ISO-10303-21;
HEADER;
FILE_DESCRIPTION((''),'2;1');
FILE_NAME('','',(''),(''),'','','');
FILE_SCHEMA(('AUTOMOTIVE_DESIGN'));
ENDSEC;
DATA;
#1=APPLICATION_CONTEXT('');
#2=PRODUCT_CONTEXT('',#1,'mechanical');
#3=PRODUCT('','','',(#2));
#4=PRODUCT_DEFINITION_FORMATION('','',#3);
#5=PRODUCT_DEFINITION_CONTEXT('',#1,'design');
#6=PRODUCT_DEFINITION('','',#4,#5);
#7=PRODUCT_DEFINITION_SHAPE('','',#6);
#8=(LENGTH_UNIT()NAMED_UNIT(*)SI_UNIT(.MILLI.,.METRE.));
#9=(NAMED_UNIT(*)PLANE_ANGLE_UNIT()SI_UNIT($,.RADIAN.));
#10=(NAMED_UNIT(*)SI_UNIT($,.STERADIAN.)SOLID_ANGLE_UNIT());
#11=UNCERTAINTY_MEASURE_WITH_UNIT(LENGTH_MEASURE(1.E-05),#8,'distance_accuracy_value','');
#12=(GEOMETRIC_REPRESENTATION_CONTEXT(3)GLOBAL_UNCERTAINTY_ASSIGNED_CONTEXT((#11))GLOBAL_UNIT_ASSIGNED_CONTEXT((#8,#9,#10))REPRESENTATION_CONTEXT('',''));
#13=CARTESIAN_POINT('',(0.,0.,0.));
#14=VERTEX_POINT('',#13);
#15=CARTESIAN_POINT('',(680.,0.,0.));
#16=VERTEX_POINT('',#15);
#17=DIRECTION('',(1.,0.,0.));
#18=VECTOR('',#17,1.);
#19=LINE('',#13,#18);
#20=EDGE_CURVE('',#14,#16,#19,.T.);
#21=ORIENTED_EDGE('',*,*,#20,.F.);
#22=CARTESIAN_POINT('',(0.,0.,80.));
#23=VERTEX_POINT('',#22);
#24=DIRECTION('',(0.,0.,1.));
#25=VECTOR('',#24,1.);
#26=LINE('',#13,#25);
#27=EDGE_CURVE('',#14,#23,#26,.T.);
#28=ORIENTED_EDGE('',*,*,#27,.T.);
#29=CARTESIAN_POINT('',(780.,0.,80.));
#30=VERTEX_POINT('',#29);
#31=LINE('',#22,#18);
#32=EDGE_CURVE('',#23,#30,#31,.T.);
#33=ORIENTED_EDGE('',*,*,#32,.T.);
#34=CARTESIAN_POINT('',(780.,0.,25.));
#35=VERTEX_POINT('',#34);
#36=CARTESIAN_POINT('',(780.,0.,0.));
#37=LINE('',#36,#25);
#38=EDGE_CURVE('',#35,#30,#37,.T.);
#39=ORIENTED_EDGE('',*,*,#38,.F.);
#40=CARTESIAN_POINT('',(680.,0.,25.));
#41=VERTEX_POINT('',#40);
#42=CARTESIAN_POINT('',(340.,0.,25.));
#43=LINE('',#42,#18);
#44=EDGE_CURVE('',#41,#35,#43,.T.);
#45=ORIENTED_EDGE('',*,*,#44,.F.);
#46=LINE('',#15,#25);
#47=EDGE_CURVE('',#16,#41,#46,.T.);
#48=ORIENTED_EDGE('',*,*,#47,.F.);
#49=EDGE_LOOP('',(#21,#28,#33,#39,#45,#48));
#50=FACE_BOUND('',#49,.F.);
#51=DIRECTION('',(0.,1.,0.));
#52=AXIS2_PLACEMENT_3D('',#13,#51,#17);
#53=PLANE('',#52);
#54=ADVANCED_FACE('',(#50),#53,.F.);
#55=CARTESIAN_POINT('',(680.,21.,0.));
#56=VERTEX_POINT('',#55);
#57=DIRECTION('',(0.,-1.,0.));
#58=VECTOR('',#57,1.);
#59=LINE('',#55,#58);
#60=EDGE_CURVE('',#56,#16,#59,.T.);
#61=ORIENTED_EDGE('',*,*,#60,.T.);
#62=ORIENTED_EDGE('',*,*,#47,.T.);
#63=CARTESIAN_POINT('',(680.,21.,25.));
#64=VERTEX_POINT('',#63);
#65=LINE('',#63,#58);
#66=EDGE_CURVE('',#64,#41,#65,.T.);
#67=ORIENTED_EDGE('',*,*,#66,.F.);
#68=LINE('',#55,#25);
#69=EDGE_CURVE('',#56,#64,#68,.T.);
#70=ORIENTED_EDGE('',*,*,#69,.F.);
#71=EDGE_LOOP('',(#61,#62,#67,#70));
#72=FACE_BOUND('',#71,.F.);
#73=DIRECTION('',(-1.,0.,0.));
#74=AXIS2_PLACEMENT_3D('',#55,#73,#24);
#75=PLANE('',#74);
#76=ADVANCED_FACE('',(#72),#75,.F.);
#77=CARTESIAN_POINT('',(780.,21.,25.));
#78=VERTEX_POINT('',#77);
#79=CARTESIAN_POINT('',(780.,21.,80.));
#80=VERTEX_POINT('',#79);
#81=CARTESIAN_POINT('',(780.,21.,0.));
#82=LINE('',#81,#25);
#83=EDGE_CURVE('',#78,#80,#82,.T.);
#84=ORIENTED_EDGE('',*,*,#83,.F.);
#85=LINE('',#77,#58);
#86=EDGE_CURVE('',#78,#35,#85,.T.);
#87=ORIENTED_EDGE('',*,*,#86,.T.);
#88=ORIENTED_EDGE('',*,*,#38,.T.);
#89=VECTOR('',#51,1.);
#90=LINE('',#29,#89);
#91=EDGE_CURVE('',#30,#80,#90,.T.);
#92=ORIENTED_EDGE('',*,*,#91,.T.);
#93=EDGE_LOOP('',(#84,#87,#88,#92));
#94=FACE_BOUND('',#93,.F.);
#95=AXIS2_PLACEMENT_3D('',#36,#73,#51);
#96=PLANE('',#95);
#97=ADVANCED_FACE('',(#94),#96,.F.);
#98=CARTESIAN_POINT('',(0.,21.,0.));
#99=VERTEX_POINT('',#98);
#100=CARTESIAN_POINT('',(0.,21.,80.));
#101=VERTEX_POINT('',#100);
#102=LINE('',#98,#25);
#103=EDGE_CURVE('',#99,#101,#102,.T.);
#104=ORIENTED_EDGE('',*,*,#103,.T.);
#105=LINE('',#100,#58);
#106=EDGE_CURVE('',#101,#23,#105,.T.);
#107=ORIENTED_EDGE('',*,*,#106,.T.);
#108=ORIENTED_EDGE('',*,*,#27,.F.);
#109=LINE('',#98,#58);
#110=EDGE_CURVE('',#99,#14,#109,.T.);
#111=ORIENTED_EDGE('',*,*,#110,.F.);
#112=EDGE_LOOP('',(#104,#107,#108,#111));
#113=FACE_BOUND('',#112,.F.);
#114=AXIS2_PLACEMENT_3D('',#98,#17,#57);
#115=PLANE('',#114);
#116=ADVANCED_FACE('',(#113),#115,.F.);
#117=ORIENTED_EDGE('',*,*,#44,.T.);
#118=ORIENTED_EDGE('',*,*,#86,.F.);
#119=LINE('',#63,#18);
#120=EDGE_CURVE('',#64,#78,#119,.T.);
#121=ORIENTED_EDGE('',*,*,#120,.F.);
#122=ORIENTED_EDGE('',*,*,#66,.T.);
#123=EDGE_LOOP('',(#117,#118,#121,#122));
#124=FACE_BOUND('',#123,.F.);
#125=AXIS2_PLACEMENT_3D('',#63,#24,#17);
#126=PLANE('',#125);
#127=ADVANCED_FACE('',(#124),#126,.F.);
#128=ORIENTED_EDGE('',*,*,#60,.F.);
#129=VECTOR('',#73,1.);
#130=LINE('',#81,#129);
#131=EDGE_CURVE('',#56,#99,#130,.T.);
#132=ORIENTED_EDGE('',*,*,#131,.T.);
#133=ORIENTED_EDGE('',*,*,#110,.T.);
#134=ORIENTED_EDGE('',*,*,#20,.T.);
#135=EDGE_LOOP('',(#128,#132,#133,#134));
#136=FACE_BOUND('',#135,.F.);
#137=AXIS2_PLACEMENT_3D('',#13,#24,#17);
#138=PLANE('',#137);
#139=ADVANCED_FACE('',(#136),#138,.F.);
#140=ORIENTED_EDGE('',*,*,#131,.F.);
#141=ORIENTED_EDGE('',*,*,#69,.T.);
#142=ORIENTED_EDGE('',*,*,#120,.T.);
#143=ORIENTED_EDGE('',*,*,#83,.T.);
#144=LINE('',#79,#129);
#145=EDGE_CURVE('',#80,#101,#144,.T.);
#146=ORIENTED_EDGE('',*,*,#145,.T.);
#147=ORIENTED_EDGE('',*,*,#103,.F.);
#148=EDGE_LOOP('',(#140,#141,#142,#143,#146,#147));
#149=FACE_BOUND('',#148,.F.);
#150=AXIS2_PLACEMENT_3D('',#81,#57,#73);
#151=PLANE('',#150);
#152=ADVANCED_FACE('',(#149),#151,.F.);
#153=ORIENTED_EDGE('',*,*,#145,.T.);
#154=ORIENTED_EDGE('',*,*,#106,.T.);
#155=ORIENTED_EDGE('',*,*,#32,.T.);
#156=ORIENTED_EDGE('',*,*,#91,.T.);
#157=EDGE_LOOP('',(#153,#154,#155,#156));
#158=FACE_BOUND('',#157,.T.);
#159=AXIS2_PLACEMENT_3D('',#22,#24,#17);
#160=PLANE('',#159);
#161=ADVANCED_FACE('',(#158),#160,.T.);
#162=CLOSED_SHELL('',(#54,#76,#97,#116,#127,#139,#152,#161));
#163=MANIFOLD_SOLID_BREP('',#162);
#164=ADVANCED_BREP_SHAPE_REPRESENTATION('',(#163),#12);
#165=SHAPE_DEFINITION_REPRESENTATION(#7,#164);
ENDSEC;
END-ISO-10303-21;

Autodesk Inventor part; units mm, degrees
ref_plane "YZ Plane" through (0, 0, 0) normal (1, 0, 0) x (0, 1, 0)
ref_plane "XZ Plane" through (0, 0, 0) normal (0, 1, 0) x (-1, 0, 0)
ref_plane "XY Plane" through (0, 0, 0) normal (0, 0, 1) x (1, 0, 0)
sketch "Sketch1" plane through (0, 0, 0) normal (0, 0, 1) x (1, 0, 0)
  line L0 (0, 0) -> (780, 0)
  line L1 (780, 0) -> (780, 21)
  line L2 (780, 21) -> (0, 21)
  line L3 (0, 21) -> (0, 0)
  dimension "d0" = 780
  dimension "d1" = 21
extrude "Extrusion1" add sketch "Sketch1" along normal blind 80
sketch "Sketch2" plane through (0, 21, 0) normal (0, 1, 0) x (1, 0, 0)
  line L0 (780, 0) -> (780, -80) projected
  line L1 (780, 0) -> (680, 0)
  line L2 (680, 0) -> (680, -25)
  line L3 (680, -25) -> (780, -25)
  line L4 (780, -25) -> (780, 0)
  point P0 (0, 0)
  dimension "d4" = 100
  dimension "d5" = 25
extrude "Extrusion2" cut sketch "Sketch2" against normal through all
properties part number "MPX-rib2" material "Wood (Cherry)"
